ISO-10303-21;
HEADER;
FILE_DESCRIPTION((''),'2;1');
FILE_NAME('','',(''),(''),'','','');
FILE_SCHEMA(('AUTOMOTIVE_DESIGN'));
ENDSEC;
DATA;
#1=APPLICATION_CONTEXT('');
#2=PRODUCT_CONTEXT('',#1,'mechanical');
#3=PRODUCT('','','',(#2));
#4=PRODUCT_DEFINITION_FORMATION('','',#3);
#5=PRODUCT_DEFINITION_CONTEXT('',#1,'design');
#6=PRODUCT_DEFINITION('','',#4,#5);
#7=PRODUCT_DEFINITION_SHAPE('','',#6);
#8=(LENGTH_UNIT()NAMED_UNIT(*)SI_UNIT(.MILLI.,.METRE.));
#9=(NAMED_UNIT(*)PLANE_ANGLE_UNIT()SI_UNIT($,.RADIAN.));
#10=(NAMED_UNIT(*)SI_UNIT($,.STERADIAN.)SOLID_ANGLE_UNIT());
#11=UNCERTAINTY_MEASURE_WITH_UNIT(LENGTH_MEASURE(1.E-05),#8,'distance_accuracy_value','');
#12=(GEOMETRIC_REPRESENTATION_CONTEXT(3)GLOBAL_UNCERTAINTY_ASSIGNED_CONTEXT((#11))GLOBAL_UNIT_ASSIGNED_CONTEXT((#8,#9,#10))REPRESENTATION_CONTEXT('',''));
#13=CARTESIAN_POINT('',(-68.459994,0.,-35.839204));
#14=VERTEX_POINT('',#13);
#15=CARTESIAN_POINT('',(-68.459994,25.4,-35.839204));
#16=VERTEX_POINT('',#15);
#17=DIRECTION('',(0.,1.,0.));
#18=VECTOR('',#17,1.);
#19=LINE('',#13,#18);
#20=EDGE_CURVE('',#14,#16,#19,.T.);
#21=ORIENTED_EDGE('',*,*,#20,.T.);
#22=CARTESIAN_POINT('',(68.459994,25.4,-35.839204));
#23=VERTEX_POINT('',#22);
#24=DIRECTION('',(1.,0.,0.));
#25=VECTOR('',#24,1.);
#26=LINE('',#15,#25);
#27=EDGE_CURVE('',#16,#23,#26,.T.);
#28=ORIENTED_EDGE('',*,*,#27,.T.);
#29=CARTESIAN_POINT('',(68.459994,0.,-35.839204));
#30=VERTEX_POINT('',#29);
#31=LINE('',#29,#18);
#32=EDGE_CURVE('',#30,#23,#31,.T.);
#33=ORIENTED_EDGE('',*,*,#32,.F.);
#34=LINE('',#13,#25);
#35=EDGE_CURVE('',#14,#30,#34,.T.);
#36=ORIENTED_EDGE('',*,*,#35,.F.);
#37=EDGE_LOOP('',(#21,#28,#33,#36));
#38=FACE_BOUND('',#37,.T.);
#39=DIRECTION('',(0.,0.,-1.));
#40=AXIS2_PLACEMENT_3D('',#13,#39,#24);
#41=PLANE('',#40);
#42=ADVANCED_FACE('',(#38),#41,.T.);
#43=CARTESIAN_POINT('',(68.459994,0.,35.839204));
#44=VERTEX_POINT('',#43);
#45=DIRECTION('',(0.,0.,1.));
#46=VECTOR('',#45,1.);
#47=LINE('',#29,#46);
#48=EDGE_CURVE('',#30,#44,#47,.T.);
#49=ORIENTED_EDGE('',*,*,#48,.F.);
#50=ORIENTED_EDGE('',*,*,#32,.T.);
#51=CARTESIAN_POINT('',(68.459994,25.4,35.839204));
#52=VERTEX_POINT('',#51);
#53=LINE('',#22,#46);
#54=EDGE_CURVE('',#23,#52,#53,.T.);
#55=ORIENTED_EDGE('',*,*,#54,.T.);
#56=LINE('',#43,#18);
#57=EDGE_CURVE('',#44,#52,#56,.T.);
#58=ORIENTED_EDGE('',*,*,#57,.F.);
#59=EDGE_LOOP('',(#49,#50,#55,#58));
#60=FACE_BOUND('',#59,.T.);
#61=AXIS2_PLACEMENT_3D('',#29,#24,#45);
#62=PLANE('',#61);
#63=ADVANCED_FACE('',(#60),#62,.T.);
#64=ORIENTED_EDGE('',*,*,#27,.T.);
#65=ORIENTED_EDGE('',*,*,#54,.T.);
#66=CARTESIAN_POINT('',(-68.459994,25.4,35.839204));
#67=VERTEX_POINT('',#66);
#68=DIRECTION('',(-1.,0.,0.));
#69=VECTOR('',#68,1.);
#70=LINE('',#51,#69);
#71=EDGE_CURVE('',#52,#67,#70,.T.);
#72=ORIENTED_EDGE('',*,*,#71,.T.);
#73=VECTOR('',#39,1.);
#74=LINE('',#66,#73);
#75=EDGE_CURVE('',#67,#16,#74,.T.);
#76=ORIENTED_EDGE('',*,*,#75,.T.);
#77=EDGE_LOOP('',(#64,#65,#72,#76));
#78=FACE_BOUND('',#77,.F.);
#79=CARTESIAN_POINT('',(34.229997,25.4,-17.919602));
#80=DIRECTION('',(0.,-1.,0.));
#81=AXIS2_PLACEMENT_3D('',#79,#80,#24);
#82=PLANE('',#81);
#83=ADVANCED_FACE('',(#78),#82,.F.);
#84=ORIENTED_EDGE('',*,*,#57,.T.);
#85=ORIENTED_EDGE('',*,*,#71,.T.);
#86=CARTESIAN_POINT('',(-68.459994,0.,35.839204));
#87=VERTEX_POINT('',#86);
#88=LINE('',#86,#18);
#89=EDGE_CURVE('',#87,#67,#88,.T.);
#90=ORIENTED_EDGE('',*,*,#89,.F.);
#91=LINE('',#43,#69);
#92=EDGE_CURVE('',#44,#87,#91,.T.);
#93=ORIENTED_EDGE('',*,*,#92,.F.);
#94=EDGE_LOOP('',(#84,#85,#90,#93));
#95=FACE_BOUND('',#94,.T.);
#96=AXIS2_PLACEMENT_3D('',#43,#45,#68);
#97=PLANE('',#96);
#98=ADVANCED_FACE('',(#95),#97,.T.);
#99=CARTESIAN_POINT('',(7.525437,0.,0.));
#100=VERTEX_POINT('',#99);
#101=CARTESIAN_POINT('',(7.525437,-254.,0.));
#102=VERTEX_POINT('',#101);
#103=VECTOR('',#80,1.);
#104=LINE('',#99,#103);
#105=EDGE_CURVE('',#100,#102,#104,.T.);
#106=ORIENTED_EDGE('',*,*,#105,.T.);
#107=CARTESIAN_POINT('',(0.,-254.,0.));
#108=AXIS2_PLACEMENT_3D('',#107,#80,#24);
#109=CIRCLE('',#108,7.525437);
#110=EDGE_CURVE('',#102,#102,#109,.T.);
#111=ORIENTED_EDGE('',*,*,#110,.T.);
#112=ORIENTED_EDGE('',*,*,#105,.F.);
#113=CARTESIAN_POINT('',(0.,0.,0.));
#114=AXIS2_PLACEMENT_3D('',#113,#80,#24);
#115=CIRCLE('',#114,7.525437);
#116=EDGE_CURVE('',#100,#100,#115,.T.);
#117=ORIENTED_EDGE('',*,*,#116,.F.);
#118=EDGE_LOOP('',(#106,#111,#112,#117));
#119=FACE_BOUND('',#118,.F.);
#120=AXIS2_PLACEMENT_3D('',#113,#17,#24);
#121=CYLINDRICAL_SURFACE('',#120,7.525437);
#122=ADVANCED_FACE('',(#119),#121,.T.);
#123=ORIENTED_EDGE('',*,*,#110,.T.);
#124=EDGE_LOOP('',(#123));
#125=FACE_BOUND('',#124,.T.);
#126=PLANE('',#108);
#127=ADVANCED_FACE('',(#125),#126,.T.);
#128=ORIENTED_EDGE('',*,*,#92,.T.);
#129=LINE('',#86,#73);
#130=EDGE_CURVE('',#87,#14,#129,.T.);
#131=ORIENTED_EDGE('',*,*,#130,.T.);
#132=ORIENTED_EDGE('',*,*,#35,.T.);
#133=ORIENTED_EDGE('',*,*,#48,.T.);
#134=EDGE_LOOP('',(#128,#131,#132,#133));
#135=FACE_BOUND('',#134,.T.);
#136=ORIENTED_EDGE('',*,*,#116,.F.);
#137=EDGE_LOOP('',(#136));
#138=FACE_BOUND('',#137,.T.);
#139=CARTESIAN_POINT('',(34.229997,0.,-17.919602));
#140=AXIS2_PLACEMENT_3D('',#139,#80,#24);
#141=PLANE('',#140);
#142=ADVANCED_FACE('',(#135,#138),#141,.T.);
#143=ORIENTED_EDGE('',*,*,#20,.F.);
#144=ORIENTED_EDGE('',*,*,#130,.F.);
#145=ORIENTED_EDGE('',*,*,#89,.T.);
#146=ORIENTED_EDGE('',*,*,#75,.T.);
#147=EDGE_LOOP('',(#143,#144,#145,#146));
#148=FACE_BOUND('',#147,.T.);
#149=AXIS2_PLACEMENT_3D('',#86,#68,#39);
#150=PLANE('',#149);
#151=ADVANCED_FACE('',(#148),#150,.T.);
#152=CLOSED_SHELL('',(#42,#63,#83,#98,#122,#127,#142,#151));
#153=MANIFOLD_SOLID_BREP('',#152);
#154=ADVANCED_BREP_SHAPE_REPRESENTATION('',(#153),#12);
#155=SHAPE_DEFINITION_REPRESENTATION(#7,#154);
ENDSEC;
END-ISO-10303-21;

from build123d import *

# Parameters (mm, degrees)
F0_R     = 7.525437
F1_DEPTH = 254
F2_W     = 68.459995
F2_H     = 35.839204
F3_DEPTH = 25.4


with BuildPart() as f1:
    # F0 (on Front) → F1 (new body)
    with BuildSketch(Plane.XZ):
        Circle(F0_R)
    extrude(amount=F1_DEPTH)

    # F2 (on Front) → F3 (join)
    with BuildSketch(Plane.XZ):
        with Locations((34.229997, -17.919602)):
            Rectangle(F2_W, F2_H)
        with Locations((34.229997, 17.919602)):
            Rectangle(F2_W, F2_H)
        with Locations((-34.229997, -17.919602)):
            Rectangle(F2_W, F2_H)
        with Locations((-34.229997, 17.919602)):
            Rectangle(F2_W, F2_H)
    extrude(amount=-F3_DEPTH)


solid = f1.part
